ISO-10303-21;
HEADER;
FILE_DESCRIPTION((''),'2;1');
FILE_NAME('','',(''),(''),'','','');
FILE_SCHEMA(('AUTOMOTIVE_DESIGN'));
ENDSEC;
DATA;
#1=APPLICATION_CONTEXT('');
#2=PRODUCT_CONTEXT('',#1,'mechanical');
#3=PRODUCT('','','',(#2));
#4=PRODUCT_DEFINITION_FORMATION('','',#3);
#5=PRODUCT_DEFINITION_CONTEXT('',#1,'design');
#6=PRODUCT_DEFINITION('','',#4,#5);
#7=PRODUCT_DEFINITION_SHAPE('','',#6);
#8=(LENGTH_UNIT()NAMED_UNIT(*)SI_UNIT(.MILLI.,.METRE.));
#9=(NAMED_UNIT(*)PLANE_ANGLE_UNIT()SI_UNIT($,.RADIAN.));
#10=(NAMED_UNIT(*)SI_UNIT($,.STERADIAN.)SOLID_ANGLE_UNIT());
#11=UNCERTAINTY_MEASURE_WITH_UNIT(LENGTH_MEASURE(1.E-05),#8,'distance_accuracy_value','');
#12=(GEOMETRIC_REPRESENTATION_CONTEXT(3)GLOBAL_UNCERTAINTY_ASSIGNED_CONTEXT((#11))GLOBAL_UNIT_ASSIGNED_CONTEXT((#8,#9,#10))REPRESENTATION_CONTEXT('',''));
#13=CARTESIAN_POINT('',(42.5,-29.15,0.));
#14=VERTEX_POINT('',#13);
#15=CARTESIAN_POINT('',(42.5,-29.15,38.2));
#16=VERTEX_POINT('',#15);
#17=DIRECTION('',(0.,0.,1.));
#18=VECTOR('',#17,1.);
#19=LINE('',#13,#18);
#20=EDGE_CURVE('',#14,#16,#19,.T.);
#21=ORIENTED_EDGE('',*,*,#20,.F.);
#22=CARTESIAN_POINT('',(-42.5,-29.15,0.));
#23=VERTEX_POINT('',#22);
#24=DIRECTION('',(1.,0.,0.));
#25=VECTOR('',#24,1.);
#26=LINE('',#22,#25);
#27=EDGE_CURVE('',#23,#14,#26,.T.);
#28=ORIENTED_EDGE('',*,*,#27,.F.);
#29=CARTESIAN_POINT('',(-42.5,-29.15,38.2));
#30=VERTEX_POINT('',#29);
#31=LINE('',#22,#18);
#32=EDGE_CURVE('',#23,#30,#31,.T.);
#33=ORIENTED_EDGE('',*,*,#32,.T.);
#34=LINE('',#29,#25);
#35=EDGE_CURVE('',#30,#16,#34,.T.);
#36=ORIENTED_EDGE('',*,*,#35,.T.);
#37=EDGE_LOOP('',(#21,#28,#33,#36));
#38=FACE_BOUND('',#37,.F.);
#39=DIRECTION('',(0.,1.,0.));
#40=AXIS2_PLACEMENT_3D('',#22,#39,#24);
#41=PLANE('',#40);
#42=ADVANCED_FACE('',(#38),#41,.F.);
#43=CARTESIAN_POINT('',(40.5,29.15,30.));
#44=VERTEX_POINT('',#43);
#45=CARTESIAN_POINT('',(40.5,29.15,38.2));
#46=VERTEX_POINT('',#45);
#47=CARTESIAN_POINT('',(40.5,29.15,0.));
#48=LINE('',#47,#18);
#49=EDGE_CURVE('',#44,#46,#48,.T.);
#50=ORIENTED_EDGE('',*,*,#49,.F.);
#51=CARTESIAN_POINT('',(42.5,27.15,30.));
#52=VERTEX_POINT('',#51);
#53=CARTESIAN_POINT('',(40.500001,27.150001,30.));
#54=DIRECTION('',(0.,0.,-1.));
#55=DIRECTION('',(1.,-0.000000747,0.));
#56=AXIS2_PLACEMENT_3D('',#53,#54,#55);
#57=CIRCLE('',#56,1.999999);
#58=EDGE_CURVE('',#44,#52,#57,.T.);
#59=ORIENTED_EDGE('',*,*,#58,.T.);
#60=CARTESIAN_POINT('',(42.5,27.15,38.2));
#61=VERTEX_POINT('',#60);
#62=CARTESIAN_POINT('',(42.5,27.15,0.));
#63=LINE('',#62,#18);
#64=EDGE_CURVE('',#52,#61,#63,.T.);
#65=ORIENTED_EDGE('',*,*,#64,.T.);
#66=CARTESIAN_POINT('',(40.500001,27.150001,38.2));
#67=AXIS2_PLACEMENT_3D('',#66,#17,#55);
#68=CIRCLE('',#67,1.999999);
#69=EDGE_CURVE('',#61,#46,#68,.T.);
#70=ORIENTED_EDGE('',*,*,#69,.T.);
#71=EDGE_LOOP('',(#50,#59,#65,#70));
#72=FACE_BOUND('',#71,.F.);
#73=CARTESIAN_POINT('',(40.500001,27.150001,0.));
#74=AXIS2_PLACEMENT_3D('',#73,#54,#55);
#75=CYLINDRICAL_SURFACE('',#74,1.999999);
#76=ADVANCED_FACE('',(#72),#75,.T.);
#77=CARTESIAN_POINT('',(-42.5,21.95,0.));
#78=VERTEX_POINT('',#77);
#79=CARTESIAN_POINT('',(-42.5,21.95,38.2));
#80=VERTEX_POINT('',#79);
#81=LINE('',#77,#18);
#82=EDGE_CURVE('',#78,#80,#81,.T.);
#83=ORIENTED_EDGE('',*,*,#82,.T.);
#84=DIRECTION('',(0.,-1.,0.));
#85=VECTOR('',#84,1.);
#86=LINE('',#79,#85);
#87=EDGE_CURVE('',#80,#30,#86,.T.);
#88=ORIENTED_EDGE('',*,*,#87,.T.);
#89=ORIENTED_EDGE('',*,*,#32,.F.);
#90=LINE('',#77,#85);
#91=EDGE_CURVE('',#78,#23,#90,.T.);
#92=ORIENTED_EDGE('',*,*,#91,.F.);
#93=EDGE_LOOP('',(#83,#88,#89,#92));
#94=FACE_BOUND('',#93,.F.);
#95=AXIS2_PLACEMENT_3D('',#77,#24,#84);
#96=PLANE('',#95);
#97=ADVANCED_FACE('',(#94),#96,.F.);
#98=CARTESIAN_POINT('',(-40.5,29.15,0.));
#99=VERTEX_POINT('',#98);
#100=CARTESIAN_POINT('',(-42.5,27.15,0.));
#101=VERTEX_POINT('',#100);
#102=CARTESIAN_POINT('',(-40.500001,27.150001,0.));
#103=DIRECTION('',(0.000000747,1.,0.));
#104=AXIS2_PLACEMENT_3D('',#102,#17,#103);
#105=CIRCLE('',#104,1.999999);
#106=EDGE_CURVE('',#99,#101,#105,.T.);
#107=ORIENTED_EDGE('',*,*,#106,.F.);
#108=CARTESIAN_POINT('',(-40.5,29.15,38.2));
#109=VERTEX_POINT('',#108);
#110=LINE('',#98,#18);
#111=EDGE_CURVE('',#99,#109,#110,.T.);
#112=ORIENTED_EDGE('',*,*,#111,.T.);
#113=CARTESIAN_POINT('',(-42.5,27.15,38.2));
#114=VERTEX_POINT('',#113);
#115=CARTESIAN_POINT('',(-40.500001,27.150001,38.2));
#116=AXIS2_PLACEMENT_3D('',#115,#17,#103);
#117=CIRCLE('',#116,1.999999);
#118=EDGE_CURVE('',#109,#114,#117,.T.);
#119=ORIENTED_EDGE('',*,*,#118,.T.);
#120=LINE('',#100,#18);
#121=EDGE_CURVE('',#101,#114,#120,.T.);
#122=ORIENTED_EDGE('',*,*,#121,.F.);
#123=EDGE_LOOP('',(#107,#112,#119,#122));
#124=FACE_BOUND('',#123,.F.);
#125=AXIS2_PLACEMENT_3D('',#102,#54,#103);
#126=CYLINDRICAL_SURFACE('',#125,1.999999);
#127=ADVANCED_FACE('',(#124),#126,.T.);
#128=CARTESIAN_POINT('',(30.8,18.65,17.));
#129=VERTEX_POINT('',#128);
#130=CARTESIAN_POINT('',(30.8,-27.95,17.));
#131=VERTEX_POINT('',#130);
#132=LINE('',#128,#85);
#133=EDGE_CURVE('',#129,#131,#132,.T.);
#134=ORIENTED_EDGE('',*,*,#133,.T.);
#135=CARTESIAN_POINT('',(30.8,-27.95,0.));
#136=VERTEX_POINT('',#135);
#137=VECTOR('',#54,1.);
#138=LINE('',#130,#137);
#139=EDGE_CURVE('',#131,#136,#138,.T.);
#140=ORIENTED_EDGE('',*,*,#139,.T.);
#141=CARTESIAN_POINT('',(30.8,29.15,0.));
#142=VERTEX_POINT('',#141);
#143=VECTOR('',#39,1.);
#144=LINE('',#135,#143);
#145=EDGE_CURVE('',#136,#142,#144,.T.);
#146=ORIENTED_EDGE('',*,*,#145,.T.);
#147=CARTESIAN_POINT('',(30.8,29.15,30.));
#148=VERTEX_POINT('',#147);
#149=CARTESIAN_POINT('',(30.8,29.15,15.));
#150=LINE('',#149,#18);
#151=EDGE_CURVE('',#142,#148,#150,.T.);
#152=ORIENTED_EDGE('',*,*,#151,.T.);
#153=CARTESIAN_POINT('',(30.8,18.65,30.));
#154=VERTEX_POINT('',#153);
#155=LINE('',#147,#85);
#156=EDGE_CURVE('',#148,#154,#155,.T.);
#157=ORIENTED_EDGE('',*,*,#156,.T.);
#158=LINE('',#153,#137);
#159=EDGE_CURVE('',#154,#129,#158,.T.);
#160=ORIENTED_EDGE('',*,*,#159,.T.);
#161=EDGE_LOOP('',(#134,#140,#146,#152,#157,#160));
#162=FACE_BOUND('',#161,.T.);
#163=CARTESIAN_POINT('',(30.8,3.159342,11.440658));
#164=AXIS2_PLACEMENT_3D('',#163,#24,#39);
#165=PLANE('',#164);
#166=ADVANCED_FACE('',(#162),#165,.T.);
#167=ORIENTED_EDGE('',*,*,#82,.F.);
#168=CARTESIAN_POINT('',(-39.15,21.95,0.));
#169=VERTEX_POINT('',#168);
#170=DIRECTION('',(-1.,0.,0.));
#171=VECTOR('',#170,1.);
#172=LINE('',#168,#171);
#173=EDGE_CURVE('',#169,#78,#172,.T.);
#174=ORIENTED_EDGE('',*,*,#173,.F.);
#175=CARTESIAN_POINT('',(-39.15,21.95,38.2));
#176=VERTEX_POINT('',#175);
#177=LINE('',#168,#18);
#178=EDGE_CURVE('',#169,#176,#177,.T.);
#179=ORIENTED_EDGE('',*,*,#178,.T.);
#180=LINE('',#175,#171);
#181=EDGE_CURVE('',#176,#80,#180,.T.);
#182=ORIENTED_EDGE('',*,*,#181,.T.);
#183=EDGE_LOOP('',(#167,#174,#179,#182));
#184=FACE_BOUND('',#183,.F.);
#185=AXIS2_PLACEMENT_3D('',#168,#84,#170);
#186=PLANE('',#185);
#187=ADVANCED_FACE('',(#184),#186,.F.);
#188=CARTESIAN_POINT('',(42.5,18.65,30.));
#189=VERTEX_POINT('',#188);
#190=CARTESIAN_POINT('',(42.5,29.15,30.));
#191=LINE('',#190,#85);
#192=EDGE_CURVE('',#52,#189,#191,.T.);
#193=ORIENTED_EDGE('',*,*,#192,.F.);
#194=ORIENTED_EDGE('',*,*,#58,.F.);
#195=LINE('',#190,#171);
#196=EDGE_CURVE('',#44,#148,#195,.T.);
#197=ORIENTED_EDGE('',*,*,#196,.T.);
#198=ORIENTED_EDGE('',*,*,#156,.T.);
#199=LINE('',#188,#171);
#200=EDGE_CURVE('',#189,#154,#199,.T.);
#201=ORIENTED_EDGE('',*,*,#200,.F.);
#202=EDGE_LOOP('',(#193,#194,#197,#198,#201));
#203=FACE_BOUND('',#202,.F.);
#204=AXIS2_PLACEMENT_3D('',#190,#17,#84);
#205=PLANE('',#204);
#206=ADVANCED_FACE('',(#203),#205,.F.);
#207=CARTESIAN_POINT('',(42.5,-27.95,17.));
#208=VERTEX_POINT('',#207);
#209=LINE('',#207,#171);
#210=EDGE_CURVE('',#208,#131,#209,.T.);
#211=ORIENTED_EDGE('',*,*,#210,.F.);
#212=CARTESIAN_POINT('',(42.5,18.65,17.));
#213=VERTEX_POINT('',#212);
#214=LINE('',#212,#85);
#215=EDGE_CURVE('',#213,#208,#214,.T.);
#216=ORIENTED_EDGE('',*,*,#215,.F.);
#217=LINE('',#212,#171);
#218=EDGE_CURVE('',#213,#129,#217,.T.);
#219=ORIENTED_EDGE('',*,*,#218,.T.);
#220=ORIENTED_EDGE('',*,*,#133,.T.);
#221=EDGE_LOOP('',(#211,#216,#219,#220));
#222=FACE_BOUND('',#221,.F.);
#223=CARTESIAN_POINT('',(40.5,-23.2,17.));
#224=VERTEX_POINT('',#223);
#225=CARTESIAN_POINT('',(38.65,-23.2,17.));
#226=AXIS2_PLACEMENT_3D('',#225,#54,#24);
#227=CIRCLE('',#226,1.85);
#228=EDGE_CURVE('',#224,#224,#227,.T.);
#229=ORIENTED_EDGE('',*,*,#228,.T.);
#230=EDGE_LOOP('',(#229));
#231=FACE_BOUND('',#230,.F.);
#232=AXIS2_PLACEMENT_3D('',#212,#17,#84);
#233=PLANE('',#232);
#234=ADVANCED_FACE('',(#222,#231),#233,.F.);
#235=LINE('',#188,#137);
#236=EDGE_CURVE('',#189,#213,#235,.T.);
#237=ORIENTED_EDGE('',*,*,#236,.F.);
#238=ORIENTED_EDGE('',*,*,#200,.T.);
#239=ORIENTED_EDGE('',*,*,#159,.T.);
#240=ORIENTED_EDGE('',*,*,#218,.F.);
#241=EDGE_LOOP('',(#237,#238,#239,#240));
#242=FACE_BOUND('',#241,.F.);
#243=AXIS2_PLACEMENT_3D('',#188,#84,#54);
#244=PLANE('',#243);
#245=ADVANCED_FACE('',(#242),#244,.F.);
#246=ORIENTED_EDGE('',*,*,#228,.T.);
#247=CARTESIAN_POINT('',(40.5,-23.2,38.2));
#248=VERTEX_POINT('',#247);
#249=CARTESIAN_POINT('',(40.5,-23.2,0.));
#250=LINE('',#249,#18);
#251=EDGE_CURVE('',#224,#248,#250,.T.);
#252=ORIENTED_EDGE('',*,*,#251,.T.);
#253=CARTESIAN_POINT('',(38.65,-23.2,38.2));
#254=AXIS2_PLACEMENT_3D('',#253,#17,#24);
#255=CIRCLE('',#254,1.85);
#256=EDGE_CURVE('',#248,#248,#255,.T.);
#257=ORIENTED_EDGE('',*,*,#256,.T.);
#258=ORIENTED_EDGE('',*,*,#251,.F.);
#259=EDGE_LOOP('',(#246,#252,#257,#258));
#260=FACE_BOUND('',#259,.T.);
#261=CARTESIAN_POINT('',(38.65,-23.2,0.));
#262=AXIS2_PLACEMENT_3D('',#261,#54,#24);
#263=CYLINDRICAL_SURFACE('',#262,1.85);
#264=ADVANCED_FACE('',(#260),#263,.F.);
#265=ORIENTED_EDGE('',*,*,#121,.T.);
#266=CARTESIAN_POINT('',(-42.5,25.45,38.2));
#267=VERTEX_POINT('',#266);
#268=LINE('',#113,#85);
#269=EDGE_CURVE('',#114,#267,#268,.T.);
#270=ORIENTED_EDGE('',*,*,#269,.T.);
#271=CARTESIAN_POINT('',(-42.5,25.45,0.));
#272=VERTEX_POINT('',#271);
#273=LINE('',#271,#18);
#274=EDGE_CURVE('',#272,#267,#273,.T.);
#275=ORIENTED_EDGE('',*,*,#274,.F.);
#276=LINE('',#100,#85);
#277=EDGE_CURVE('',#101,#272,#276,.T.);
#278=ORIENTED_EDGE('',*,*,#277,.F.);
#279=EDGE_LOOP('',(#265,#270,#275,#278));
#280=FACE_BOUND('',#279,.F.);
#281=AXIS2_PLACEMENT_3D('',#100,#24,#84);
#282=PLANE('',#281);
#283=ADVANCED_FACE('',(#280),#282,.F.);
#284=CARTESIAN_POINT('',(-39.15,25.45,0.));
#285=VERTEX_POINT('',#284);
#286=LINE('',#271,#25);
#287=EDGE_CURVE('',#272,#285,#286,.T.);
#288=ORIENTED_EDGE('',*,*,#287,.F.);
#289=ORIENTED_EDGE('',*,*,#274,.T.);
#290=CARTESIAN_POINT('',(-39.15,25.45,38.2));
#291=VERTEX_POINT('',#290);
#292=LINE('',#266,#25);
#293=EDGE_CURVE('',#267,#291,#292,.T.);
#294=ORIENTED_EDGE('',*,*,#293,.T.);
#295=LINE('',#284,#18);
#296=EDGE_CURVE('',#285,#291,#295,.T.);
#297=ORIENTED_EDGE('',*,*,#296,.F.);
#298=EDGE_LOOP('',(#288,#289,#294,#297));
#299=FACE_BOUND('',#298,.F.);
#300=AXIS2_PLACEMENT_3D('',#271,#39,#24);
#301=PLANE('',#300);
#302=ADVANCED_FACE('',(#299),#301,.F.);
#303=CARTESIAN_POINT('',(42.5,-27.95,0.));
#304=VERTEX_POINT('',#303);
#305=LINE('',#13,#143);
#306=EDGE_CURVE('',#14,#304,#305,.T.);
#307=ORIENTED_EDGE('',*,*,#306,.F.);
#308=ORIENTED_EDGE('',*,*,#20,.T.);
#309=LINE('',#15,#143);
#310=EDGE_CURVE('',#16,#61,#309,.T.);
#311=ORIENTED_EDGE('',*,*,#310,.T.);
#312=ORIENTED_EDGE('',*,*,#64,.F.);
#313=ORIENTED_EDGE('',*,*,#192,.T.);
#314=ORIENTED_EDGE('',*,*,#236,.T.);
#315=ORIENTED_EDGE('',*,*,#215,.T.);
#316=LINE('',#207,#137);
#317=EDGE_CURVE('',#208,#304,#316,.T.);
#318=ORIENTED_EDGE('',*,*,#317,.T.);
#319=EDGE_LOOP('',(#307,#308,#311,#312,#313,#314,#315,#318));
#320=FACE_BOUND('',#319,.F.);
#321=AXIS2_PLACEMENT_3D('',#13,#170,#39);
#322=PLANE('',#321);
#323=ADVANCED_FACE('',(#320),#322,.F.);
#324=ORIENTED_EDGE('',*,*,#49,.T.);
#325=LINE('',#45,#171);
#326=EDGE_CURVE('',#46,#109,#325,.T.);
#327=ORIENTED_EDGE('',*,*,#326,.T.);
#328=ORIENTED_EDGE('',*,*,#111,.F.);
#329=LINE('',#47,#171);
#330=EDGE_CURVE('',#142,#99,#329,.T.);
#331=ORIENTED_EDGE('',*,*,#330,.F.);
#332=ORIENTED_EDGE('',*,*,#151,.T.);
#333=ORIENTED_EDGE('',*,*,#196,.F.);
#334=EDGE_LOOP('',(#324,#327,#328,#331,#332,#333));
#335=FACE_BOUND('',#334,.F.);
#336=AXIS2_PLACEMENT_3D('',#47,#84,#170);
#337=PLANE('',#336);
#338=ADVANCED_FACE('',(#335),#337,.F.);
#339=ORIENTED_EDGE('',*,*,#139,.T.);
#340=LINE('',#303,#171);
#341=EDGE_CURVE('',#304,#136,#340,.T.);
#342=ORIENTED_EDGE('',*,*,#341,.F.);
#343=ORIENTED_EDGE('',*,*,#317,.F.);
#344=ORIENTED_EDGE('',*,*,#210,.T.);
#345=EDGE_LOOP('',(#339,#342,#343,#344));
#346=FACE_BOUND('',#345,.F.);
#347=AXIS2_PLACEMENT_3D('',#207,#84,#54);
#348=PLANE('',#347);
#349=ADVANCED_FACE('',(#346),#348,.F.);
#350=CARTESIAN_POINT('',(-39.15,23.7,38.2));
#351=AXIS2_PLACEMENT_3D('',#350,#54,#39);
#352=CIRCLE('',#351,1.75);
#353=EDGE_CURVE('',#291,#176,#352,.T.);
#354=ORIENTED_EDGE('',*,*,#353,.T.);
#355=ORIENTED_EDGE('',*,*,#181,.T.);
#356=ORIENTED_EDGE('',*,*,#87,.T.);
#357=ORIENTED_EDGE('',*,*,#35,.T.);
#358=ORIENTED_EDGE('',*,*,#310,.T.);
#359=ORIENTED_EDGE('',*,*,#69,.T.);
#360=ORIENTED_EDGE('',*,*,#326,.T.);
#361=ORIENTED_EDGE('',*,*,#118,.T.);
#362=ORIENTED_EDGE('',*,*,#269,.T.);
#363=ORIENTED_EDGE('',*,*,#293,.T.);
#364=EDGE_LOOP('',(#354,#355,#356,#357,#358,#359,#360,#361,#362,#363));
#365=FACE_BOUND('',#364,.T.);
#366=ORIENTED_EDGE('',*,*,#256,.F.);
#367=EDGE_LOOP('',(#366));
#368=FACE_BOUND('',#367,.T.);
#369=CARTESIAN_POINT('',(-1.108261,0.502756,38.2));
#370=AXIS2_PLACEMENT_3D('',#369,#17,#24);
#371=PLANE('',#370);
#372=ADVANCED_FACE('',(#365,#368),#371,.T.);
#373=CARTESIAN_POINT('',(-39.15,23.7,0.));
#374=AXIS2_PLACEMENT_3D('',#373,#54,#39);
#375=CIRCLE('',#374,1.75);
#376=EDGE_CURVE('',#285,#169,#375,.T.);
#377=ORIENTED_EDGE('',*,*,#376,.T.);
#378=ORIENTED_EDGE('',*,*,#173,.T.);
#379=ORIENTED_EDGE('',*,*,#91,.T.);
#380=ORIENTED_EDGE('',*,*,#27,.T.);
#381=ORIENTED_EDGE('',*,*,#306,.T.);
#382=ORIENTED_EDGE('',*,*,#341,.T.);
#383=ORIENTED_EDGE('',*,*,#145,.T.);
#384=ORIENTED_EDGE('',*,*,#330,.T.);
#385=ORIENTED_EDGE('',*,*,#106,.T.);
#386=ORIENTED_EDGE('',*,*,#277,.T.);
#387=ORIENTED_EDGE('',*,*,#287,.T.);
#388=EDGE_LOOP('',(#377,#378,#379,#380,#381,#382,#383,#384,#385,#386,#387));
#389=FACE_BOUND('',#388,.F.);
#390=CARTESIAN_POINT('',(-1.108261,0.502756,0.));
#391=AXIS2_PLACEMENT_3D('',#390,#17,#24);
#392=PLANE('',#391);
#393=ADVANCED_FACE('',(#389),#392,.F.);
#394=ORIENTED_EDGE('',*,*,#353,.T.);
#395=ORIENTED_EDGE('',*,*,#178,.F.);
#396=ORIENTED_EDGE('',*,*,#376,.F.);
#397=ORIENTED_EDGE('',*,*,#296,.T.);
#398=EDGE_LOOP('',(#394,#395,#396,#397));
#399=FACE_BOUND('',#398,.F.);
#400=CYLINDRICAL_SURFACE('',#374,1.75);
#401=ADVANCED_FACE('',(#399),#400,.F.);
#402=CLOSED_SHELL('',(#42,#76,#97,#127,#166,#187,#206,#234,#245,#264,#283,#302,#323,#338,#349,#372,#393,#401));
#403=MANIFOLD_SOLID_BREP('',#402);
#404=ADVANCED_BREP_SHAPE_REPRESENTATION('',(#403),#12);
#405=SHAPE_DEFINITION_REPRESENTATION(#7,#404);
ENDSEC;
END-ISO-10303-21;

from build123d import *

# Parameters (mm, degrees)
F0_R     = 1.85
F1_DEPTH = 38.2
F2_W     = 2
F2_H     = 30
F3_DEPTH = 11.7


with BuildPart() as f1:
    # F0 (on Top) → F1 (new body)
    with BuildSketch(Plane.XY):
        with BuildLine():
            ThreePointArc((42.5, 27.15), (41.914214, 28.564214), (40.5, 29.15))
            Line((40.5, 29.15), (-40.5, 29.15))
            ThreePointArc((-40.5, 29.15), (-41.914214, 28.564214), (-42.5, 27.15))
            Line((-42.5, 27.15), (-42.5, 25.45))
            Line((-42.5, 25.45), (-39.15, 25.45))
            ThreePointArc((-39.15, 25.45), (-37.4, 23.7), (-39.15, 21.95))
            Line((-39.15, 21.95), (-42.5, 21.95))
            Line((-42.5, 21.95), (-42.5, -29.15))
            Line((-42.5, -29.15), (42.5, -29.15))
            Line((42.5, -29.15), (42.5, 27.15))
        make_face()
        with Locations((38.65, -23.2)):
            Circle(F0_R, mode=Mode.SUBTRACT)
    extrude(amount=F1_DEPTH)

    # F2 (on face) → F3 (cut)
    with BuildSketch(Plane.YZ.offset(42.5)):
        Polygon((-27.95, 17), (-27.95, 0), (27.15, 0), (27.15, 30), (18.65, 30), (18.65, 17), align=None)
        with Locations((28.15, 15)):
            Rectangle(F2_W, F2_H)
    extrude(amount=-F3_DEPTH, mode=Mode.SUBTRACT)


solid = f1.part
